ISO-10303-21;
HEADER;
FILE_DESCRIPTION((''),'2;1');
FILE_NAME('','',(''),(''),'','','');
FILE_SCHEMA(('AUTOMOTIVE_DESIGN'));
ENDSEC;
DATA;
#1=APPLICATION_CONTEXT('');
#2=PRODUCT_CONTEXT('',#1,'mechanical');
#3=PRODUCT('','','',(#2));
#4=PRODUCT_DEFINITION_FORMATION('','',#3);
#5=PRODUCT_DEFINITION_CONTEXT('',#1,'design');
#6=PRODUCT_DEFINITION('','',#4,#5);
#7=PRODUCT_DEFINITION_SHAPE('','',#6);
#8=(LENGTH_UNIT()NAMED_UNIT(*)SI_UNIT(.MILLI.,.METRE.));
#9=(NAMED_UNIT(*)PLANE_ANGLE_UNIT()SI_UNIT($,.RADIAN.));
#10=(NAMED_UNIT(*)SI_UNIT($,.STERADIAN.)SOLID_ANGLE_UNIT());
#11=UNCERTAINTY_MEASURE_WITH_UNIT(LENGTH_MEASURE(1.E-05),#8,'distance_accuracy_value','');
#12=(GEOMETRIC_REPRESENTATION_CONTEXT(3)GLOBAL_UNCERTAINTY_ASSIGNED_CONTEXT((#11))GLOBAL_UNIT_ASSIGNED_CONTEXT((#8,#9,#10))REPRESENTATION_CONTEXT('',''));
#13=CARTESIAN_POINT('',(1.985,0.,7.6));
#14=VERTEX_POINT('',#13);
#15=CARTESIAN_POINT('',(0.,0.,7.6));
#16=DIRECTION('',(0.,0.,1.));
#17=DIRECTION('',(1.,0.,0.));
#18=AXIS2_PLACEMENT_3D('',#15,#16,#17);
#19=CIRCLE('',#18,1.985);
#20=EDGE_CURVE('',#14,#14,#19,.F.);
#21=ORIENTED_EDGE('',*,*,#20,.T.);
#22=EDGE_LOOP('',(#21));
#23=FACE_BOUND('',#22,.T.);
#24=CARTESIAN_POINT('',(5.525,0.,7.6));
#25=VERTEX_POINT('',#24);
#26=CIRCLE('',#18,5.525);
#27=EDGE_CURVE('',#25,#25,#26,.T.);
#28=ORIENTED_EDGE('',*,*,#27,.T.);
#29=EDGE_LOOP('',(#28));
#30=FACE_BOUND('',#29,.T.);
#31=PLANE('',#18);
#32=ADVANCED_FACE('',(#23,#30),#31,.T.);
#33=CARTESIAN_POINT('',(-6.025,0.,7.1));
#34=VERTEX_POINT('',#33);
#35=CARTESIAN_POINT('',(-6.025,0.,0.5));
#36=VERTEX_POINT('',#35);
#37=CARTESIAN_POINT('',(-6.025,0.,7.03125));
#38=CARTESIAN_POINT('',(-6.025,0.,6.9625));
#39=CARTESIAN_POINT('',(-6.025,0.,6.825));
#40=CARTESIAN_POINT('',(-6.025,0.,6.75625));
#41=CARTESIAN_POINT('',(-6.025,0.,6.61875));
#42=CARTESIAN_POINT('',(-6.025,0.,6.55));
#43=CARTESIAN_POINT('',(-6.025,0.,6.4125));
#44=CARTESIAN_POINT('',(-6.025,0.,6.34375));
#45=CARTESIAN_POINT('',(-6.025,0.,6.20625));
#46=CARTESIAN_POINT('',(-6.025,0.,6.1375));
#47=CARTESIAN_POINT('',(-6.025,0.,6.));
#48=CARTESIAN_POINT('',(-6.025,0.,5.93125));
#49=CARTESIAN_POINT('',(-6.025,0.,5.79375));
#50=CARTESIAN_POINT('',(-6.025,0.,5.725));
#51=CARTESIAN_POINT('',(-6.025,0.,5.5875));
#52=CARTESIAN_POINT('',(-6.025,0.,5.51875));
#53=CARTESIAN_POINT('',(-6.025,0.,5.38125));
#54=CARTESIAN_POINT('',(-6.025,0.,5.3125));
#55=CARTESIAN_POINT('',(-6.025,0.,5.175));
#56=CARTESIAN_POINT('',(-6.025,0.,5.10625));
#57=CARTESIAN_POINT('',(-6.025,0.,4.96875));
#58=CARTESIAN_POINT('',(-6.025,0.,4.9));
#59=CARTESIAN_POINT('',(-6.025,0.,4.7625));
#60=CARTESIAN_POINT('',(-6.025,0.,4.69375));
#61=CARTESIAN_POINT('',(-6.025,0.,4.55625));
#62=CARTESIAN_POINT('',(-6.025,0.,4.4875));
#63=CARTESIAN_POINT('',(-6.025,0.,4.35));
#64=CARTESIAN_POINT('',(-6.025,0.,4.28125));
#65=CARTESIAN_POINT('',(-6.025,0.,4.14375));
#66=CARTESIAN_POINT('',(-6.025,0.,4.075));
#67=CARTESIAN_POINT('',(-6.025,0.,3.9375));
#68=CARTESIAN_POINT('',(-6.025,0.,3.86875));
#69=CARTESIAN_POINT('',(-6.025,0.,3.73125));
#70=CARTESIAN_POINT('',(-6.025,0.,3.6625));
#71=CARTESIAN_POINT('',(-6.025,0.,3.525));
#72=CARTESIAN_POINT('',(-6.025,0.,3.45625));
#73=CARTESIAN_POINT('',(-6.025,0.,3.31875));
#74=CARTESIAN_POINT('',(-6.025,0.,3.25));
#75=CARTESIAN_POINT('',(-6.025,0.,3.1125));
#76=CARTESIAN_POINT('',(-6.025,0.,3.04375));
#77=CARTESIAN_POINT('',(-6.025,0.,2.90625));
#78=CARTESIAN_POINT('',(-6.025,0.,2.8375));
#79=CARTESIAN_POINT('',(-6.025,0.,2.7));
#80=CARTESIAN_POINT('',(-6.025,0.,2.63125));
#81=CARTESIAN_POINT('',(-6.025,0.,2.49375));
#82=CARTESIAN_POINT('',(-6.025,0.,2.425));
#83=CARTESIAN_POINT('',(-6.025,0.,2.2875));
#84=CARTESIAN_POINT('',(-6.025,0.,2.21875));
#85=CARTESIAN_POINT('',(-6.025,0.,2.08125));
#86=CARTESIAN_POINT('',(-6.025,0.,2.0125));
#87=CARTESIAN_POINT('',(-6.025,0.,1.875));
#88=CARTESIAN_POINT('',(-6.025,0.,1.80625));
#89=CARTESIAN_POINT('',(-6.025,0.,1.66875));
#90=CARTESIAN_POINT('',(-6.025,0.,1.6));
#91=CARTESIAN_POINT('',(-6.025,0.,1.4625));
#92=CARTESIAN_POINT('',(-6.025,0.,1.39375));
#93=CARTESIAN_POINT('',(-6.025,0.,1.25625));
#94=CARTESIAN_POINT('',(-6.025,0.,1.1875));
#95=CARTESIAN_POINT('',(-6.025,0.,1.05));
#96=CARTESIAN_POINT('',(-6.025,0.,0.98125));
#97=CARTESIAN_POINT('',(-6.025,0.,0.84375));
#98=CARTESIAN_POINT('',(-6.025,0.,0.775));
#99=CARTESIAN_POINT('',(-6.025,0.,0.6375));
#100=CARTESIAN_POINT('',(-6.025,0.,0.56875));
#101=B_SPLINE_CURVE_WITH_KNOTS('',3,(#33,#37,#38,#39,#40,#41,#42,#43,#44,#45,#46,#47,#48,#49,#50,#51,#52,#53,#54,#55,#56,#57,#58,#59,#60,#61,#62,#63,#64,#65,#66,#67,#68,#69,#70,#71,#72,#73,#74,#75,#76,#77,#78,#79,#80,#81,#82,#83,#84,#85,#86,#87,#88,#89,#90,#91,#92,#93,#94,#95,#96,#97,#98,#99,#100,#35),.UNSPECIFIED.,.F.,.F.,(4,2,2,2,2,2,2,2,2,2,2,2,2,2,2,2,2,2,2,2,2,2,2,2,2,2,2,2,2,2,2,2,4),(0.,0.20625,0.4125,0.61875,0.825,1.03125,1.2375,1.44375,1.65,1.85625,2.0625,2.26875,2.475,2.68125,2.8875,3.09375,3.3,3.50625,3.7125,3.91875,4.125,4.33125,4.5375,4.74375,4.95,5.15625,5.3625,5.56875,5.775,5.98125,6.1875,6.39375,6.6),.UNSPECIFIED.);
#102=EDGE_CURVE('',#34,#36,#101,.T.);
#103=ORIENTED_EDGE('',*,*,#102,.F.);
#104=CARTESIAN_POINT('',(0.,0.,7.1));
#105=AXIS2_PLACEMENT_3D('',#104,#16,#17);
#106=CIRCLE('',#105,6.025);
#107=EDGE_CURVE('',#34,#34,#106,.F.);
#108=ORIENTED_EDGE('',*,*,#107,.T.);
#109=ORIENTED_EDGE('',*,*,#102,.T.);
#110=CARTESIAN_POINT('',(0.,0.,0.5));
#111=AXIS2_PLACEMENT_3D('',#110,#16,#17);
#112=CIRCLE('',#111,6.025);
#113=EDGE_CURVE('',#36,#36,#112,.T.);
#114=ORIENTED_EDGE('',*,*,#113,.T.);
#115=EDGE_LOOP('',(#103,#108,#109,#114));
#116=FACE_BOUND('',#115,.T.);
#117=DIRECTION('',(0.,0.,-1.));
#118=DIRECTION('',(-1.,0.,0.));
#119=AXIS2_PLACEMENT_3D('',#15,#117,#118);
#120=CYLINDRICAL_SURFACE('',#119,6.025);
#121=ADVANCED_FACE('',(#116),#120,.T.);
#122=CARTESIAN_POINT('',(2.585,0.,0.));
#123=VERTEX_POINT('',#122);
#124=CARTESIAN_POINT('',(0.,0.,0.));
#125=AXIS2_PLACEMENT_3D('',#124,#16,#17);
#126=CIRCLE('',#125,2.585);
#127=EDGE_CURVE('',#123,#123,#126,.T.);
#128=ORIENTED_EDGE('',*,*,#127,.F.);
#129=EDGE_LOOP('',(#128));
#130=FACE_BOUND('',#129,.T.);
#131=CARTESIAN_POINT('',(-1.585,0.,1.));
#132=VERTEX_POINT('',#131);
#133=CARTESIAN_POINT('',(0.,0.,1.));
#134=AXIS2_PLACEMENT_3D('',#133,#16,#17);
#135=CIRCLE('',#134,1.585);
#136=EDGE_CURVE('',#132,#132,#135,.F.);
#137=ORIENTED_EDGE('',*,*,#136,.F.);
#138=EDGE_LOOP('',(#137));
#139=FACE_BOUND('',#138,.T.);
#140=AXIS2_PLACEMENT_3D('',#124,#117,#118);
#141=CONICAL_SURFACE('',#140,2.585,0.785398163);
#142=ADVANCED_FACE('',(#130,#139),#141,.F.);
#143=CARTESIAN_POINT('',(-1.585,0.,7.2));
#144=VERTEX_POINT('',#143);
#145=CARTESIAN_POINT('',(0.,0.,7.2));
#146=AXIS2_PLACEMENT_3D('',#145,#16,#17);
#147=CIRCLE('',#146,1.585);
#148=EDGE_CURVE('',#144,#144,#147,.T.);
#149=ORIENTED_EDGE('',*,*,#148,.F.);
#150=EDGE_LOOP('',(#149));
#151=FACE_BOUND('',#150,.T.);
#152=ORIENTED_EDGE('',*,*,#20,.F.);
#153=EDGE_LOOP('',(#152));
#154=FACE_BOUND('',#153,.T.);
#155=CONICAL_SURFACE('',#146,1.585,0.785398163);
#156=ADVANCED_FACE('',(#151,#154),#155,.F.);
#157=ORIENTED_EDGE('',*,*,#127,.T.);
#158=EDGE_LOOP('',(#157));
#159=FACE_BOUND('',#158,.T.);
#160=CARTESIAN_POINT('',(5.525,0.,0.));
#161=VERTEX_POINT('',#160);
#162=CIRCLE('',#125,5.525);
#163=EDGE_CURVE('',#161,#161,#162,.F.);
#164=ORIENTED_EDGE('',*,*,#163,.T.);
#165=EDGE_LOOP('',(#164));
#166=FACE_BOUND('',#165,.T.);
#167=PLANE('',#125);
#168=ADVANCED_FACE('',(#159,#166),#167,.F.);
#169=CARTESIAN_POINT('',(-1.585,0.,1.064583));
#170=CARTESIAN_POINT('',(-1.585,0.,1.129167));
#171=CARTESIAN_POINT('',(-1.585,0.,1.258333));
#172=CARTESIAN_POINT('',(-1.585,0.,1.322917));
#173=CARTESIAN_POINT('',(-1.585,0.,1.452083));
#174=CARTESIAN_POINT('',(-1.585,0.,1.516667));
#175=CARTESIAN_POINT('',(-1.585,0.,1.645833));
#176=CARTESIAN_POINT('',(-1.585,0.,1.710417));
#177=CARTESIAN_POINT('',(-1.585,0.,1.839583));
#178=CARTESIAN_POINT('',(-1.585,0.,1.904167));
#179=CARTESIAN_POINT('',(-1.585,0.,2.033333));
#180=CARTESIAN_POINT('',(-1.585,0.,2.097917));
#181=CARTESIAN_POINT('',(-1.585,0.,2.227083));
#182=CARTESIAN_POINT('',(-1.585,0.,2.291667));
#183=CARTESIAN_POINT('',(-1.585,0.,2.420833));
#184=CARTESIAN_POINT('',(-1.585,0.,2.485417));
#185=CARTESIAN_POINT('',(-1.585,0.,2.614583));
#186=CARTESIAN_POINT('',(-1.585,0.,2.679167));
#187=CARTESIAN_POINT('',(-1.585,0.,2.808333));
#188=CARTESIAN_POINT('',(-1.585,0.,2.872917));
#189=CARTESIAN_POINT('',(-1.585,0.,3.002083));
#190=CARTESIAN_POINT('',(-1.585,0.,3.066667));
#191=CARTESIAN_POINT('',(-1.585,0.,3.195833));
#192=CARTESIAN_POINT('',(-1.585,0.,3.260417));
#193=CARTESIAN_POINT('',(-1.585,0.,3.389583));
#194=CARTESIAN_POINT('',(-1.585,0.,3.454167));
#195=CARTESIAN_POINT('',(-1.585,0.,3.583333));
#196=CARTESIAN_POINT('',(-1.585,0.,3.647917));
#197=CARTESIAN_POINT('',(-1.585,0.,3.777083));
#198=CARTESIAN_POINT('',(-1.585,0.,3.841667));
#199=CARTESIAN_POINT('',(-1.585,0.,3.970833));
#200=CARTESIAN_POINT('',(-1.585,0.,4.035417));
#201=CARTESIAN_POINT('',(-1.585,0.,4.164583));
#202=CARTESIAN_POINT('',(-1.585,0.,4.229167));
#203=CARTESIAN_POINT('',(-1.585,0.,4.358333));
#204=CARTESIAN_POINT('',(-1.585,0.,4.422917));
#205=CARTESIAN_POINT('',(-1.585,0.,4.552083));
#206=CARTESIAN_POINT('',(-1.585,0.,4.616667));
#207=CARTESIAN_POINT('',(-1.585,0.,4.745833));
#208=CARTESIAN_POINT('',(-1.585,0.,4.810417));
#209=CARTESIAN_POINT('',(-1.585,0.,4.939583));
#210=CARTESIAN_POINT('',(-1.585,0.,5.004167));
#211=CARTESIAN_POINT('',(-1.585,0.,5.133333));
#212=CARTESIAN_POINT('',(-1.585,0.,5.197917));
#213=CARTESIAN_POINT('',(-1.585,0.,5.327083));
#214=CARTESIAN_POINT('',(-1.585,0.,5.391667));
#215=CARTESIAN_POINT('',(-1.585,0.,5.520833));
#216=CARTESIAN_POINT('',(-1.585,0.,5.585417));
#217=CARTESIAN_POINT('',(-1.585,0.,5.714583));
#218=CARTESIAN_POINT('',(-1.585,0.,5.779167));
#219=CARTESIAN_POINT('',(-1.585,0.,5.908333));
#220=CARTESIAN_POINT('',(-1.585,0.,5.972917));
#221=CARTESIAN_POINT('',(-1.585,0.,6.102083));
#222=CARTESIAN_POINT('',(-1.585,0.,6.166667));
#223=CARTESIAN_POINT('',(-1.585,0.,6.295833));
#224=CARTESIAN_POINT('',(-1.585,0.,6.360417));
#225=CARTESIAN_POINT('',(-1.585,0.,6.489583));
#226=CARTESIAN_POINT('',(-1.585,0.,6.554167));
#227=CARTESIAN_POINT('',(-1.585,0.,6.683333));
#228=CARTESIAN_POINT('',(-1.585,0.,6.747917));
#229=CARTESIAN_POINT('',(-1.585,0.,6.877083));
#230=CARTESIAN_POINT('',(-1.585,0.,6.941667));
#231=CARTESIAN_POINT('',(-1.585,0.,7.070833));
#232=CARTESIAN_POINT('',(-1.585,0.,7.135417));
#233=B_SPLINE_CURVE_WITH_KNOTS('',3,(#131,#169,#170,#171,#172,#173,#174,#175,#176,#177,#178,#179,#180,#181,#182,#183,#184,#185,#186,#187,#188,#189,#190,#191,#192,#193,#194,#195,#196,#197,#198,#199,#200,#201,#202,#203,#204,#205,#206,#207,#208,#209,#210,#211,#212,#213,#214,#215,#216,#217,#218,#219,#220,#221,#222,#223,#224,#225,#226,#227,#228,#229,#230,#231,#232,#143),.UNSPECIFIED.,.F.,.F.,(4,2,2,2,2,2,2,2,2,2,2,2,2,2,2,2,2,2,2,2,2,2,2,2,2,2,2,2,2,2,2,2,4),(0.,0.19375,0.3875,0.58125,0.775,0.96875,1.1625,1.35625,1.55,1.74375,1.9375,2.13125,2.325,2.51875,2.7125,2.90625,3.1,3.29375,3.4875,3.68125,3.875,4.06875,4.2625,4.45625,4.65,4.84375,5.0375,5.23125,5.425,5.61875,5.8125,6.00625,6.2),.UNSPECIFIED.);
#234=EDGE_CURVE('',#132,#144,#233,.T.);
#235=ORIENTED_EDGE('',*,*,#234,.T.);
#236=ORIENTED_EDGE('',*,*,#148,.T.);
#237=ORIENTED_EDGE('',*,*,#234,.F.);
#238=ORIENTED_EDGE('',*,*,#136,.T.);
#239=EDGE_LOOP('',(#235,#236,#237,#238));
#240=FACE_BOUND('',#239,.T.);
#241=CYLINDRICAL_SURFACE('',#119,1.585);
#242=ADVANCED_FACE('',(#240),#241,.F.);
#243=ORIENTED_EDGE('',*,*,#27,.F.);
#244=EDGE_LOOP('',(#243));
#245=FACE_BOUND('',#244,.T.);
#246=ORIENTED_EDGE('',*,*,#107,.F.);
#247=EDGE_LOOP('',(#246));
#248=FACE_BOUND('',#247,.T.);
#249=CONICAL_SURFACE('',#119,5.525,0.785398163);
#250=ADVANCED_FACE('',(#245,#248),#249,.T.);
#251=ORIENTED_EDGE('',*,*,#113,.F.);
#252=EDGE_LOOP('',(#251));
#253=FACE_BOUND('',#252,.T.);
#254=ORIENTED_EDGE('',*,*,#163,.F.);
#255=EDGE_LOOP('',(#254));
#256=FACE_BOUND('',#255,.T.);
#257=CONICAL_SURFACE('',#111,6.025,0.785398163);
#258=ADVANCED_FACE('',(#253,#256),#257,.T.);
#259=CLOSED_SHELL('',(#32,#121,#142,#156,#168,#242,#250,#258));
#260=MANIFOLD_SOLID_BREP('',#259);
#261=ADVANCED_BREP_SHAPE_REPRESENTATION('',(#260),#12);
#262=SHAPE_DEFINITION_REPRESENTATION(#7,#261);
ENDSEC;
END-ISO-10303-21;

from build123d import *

# Parameters (mm, degrees)
SKETCH1_R           = 6.025
SKETCH1_R_2         = 1.585
BOSS_EXTRUDE1_DEPTH = 7.6
CHAMFER1_SIZE       = 0.5
CHAFL_N1_SIZE       = 0.4
CHAFL_N2_SIZE       = 1


with BuildPart() as part:
    # Sketch1 → Boss-Extrude1 (new body)
    with BuildSketch(Plane.XY):
        with Locations(Location((0, 0, 0), (0, 0, 180))):
            Circle(SKETCH1_R)
        with Locations(Location((0, 0, 0), (0, 0, 180))):
            Circle(SKETCH1_R_2, mode=Mode.SUBTRACT)
    extrude(amount=BOSS_EXTRUDE1_DEPTH)

    # Chamfer1
    chamfer1_edges = [part.edges().sort_by_distance(p)[0] for p in [
        (6.025, 0, 0),
        (6.025, 0, 7.6),
    ]]
    chamfer(chamfer1_edges, length=CHAMFER1_SIZE)

    # Chaflán1
    chafl_n1_edges = [part.edges().sort_by_distance(p)[0] for p in [
        (1.585, 0, 7.6),
    ]]
    chamfer(chafl_n1_edges, length=CHAFL_N1_SIZE)

    # Chaflán2
    chafl_n2_edges = [part.edges().sort_by_distance(p)[0] for p in [
        (1.585, 0, 0),
    ]]
    chamfer(chafl_n2_edges, length=CHAFL_N2_SIZE)


solid = part.part
